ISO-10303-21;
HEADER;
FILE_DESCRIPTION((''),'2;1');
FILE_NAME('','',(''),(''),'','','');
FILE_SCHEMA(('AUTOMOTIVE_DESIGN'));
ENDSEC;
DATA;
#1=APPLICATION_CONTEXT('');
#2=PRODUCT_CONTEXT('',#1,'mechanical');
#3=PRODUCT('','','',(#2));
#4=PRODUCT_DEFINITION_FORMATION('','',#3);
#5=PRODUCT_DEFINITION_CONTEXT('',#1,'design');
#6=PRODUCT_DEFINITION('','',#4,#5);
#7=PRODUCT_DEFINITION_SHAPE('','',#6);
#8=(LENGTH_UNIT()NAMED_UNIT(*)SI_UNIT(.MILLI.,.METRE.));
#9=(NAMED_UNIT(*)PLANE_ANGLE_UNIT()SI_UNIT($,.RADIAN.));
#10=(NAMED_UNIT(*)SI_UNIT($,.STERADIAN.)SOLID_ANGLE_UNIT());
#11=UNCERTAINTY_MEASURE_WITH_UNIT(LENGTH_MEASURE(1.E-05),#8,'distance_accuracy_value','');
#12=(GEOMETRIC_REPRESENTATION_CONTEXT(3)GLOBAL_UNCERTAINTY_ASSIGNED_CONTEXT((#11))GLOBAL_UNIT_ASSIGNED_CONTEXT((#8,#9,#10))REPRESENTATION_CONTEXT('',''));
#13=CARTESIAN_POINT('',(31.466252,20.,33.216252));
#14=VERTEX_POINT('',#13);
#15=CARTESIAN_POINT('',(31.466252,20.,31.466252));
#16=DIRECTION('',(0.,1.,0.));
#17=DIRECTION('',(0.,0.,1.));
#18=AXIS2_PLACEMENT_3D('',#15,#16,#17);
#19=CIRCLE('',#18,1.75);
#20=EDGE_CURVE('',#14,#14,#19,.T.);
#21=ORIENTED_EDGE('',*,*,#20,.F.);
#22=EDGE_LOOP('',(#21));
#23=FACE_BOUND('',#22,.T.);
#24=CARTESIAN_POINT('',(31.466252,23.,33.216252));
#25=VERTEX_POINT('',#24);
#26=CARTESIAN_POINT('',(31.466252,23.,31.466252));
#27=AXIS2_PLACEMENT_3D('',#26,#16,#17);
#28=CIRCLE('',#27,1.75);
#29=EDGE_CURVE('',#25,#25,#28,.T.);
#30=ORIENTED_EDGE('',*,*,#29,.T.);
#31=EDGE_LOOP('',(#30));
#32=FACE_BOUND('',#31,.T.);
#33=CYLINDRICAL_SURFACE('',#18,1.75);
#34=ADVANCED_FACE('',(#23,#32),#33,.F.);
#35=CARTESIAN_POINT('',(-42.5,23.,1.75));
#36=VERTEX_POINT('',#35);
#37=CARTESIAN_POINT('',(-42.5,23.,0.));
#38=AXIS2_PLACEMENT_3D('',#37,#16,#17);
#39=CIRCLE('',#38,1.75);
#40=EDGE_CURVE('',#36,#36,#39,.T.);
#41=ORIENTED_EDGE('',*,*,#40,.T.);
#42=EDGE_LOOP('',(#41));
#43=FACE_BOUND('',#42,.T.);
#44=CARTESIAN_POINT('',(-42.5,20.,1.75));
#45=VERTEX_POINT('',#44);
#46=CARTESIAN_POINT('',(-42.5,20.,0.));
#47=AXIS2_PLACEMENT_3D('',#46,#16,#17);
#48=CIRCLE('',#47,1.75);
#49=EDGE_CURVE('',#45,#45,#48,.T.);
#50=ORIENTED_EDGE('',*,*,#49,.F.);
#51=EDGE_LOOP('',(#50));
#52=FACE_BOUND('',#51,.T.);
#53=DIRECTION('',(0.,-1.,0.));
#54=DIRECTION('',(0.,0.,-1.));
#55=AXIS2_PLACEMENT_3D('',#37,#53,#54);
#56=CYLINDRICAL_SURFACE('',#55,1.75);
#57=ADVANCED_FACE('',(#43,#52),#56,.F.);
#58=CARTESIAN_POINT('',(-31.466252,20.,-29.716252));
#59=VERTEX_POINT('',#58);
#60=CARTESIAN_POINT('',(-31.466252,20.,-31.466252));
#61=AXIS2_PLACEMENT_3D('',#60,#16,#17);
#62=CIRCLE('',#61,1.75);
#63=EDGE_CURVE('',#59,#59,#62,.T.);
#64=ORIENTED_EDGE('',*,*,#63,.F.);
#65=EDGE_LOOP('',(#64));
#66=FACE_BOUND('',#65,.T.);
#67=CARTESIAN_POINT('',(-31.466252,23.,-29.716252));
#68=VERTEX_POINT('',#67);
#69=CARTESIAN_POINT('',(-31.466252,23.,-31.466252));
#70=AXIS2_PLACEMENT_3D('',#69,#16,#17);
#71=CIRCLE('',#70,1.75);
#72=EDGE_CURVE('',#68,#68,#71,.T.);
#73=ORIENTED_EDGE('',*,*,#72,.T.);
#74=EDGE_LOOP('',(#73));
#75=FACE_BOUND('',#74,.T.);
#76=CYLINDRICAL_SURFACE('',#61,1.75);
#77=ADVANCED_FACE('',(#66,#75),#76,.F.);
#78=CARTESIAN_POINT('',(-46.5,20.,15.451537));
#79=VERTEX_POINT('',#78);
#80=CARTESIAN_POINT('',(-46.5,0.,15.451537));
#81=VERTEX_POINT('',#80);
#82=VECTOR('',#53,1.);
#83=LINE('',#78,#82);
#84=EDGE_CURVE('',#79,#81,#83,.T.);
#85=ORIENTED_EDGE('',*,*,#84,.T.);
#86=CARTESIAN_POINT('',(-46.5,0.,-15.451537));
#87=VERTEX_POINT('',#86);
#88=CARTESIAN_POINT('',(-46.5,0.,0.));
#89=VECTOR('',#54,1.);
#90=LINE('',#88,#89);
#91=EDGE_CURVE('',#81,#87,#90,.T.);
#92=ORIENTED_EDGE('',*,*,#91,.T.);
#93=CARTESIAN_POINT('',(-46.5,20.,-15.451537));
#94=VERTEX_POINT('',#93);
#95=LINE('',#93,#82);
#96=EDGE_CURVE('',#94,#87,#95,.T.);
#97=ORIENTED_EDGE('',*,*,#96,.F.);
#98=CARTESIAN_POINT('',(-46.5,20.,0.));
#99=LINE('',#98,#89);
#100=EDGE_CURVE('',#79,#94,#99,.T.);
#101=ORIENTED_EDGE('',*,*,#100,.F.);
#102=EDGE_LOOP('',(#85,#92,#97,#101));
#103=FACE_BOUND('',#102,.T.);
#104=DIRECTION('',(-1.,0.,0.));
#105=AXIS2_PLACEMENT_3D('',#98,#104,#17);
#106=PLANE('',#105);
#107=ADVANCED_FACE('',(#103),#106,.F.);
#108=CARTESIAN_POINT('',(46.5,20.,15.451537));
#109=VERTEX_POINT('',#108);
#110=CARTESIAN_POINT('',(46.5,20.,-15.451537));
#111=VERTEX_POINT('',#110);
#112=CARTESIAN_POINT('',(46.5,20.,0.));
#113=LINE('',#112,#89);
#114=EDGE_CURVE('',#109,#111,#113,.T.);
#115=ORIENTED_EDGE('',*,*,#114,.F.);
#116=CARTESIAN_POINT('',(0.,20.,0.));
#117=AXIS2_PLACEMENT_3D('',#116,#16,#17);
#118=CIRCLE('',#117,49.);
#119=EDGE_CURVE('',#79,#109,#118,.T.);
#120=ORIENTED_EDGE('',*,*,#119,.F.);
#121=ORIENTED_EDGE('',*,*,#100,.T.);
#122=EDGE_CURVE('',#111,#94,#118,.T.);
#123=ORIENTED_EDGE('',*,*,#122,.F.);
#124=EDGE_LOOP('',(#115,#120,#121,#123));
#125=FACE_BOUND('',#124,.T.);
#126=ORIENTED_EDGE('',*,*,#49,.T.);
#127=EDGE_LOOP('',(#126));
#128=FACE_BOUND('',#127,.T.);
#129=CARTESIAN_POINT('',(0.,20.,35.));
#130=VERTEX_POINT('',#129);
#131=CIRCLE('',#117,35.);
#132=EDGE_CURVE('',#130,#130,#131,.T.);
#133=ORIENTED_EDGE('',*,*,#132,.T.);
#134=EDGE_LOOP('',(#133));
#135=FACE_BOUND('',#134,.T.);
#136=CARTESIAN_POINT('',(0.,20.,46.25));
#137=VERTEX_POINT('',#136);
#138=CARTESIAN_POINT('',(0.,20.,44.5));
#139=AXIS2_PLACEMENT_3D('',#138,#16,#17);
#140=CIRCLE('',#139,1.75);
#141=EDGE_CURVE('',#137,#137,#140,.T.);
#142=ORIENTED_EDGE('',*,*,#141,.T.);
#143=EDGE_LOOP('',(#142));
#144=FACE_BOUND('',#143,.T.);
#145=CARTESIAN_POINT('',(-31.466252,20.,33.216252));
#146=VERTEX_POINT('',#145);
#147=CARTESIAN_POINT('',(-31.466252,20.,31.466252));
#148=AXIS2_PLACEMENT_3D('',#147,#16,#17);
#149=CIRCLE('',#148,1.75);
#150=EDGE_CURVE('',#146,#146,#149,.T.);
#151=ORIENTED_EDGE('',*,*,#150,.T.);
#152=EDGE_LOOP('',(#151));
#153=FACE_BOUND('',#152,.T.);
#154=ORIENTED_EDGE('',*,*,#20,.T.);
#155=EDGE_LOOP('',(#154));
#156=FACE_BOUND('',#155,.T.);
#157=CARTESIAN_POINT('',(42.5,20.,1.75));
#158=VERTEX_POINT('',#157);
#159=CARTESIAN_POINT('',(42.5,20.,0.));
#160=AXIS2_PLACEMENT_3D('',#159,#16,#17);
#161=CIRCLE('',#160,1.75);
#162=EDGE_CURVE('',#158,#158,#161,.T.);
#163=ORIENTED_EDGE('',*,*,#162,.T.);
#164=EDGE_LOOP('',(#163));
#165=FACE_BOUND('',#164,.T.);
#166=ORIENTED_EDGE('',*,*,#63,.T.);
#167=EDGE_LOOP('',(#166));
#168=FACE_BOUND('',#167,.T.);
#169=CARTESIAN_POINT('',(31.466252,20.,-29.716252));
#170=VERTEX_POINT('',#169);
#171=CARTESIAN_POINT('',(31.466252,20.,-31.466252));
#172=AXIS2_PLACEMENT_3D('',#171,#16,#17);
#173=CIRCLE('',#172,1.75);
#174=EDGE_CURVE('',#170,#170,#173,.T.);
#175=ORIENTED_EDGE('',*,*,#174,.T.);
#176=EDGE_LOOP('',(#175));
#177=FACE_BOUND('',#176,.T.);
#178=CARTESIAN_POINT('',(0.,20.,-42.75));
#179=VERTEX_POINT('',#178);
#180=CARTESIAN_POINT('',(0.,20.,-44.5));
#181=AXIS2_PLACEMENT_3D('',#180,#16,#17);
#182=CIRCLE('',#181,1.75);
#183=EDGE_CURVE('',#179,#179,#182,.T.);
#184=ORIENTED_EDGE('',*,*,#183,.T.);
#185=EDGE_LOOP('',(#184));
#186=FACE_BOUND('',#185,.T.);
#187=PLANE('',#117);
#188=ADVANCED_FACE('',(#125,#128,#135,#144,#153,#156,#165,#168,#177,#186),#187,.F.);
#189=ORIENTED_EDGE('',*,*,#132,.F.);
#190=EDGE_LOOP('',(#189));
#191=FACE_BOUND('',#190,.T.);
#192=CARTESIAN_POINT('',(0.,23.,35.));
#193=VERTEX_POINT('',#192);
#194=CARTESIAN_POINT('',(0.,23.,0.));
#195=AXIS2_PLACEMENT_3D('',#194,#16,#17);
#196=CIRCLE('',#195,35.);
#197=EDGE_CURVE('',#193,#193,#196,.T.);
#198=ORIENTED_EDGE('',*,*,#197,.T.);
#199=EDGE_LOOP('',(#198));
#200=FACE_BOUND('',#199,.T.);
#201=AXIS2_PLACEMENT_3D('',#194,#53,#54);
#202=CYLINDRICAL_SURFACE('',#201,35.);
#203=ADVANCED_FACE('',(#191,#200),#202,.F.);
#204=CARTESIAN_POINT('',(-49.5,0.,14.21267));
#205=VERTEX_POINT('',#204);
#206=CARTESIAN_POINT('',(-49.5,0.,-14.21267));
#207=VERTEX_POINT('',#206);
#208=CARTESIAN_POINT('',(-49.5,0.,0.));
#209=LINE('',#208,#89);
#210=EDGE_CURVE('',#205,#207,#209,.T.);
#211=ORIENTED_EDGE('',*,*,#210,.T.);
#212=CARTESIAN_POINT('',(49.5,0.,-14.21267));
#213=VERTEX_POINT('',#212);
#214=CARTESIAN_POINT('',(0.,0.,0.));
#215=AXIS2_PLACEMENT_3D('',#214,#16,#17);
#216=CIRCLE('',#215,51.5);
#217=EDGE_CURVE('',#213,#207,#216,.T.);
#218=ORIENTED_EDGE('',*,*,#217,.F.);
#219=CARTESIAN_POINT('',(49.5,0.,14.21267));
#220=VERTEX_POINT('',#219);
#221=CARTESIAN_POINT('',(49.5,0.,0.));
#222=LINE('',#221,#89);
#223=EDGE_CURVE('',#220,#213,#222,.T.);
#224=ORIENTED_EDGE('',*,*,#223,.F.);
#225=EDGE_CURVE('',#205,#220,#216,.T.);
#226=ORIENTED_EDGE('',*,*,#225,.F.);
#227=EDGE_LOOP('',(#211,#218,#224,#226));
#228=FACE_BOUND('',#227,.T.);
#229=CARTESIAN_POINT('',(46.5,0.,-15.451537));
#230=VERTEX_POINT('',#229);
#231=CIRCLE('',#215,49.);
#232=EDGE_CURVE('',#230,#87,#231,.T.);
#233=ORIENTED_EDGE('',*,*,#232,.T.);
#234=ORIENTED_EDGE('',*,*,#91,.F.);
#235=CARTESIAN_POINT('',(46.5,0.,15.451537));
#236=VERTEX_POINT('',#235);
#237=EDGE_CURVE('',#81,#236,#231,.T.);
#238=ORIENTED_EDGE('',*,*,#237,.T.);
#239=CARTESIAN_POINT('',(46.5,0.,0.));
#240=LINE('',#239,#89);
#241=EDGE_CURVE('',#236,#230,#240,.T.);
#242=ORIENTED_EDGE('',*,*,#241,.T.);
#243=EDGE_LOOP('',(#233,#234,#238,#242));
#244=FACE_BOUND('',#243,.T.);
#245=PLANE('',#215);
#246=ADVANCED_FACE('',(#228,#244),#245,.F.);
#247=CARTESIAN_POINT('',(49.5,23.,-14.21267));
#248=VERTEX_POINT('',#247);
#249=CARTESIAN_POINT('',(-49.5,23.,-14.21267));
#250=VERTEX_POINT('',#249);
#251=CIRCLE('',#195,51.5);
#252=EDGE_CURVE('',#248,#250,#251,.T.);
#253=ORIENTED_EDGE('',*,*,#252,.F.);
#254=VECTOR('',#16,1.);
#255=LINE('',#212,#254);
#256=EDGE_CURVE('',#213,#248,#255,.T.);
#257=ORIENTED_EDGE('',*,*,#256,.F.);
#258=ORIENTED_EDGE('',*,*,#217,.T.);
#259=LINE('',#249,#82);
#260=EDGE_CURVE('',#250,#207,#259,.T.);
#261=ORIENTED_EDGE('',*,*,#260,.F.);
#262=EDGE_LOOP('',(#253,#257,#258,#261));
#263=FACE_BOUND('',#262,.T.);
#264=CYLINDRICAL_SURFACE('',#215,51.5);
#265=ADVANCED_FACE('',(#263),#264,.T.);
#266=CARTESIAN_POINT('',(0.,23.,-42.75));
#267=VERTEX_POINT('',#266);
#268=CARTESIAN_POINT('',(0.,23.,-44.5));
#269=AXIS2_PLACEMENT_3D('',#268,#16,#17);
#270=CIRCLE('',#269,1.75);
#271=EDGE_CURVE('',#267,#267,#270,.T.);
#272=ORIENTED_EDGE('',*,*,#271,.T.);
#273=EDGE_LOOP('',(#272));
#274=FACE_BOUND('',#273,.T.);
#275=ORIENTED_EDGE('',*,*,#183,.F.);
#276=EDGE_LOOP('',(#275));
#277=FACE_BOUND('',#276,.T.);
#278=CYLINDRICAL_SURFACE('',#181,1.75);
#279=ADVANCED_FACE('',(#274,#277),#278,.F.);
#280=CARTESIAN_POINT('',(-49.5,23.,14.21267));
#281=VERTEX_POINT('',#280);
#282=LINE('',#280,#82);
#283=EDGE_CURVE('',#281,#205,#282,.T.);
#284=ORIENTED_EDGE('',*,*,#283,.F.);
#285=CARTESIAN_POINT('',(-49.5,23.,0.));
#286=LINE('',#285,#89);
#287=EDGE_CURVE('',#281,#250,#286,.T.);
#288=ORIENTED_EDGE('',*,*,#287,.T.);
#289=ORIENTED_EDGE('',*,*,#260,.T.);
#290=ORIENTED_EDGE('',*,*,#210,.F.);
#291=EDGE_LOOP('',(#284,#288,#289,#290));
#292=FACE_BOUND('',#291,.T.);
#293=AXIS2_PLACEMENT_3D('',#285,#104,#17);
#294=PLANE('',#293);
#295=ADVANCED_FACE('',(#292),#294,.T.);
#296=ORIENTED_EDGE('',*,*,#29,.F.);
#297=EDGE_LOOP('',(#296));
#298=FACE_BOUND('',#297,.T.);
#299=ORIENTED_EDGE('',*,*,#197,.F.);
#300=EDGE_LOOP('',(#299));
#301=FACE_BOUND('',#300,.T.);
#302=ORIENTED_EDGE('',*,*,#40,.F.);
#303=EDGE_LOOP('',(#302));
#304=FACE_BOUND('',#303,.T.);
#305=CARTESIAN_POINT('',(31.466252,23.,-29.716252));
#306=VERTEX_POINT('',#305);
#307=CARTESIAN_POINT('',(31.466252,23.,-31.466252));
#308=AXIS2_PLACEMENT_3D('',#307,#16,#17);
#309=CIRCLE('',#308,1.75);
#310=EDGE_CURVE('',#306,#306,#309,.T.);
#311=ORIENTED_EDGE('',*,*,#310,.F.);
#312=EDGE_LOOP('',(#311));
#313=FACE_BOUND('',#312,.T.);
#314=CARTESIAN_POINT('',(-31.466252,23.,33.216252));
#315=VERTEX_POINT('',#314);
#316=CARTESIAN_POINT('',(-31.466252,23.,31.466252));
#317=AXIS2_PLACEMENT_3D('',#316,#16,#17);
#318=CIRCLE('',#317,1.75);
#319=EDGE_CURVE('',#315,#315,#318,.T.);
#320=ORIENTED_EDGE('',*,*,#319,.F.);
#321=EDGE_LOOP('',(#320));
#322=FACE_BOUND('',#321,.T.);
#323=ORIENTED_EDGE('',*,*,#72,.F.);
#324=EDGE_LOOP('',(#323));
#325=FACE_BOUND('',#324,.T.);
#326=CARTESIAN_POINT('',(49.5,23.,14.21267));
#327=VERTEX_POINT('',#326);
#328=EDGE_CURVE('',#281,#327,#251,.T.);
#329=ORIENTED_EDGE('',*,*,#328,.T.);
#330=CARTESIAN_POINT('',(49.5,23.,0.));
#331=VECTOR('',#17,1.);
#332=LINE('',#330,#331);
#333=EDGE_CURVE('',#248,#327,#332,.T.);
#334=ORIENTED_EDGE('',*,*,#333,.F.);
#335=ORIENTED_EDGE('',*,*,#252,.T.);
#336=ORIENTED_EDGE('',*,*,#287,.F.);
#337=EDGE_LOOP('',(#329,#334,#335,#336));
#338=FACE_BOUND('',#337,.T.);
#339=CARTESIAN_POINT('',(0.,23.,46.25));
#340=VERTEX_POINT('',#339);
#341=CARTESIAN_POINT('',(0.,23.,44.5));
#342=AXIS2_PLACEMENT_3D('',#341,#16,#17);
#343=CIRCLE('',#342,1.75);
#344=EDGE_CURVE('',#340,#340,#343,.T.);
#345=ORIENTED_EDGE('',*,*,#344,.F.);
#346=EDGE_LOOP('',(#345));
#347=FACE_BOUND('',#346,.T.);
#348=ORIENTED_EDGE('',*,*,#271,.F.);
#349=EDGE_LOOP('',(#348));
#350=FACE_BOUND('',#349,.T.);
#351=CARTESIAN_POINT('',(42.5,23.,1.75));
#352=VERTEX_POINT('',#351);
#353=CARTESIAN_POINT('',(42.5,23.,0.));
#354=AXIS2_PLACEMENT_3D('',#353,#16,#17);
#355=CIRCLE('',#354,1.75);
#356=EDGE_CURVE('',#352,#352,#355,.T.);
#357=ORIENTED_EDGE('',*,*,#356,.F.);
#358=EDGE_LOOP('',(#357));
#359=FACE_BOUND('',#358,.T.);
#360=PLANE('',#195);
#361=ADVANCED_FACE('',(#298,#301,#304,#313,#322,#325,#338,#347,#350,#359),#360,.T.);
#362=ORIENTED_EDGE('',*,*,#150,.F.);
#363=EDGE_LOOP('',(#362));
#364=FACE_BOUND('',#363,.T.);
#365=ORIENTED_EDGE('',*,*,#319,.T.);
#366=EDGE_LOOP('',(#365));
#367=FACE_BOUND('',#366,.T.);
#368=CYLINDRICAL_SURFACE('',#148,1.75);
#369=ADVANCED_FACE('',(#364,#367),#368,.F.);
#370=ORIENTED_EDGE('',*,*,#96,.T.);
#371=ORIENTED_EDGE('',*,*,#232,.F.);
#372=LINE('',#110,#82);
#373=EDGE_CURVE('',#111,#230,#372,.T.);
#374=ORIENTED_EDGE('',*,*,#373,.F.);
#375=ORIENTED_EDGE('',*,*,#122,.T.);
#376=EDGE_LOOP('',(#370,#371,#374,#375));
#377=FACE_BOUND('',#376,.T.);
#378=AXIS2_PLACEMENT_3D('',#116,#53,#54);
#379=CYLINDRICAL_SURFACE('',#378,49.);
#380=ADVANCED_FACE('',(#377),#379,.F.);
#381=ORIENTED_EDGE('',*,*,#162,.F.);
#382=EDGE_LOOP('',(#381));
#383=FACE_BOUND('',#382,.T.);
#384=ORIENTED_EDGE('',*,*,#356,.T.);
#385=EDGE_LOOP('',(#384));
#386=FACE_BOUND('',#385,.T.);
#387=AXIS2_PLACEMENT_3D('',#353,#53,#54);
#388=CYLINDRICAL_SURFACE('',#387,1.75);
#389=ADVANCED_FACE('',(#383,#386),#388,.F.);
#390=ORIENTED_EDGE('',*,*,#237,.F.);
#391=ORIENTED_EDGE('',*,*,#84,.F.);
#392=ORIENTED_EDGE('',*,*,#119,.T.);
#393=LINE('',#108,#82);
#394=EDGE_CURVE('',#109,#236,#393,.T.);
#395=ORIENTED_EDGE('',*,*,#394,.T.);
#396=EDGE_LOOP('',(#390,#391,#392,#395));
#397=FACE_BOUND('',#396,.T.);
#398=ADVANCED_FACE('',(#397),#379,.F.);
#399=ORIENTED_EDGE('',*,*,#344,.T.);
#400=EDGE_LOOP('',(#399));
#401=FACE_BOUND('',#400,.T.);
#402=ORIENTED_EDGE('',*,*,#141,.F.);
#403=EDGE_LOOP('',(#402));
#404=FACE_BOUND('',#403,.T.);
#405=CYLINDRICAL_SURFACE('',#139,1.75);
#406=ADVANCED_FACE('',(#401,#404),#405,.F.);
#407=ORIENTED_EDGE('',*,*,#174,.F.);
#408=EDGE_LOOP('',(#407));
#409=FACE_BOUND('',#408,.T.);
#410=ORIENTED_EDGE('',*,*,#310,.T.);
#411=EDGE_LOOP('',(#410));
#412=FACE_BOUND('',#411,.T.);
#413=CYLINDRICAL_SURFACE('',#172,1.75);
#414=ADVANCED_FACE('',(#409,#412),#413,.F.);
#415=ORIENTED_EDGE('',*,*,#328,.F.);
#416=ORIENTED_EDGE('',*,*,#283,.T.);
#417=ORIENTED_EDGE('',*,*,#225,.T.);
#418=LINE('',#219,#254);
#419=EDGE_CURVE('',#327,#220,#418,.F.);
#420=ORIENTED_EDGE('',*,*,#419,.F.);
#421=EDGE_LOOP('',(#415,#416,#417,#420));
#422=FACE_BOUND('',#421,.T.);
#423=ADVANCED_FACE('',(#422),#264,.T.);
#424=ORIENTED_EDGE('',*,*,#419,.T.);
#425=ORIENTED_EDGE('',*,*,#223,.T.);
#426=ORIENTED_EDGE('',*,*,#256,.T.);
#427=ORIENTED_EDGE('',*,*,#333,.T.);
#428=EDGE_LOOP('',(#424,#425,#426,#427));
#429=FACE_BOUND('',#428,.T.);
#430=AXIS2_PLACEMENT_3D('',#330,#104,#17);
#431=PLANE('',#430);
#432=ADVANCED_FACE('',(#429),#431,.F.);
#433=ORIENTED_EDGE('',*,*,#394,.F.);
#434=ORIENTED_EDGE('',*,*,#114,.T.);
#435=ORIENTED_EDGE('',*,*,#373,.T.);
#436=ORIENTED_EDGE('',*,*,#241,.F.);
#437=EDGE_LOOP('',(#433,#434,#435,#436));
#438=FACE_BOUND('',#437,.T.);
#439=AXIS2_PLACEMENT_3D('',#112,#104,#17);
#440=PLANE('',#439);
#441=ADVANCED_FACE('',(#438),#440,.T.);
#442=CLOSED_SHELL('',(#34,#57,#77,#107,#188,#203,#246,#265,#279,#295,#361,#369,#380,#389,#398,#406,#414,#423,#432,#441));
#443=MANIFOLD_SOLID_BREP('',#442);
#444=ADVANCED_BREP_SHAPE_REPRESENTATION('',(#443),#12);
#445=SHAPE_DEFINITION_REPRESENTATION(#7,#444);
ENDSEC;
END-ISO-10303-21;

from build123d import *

# Parameters (mm, degrees)
SKETCH_1_R          = 52
EXTRUDE_1_DEPTH     = 20
CUT_EXTRUDE_START   = -20
SKETCH_2_R          = 52
SKETCH_2_R_2        = 51.5
CUT_EXTRUDE_1_DEPTH = 20
SKETCH_3_R          = 51.5
SKETCH_3_R_2        = 1.75
SKETCH_3_R_3        = 35
EXTRUDE_2_DEPTH     = 3
SKETCH_4_W          = 6.656096692
SKETCH_4_H          = 30.90307428
SKETCH_4_W_2        = 11.077487824
CUT_EXTRUDE_2_DEPTH = 77.377352664
EXTRUDE_START       = -3
SKETCH_6_R          = 1.75
SKETCH_6_R_2        = 1.891027651
EXTRUDE_3_DEPTH     = 3
SKETCH_7_R          = 1.75
CUT_EXTRUDE_3_DEPTH = 3


with BuildPart() as part:
    # 草图1 → 凸台-拉伸1 (new body)
    with BuildSketch(Plane(origin=(0, 0, 0), x_dir=(1, 0, 0), z_dir=(0, 1, 0))):
        with Locations(Location((0, 0, 0), (0, 0, 270))):
            Circle(SKETCH_1_R)
        with BuildLine():
            Line((-46.5, -15.45153714), (-46.5, 15.45153714))
            ThreePointArc((-46.5, 15.45153714), (0, 49), (46.5, 15.45153714))
            Line((46.5, 15.45153714), (46.5, -15.45153714))
            ThreePointArc((46.5, -15.45153714), (0, -49), (-46.5, -15.45153714))
        make_face(mode=Mode.SUBTRACT)
    extrude(amount=EXTRUDE_1_DEPTH)

    # 草图2 → 切除-拉伸1 (cut)
    with BuildSketch(Plane(origin=(0, 20, 0), x_dir=(1, 0, 0), z_dir=(0, 1, 0)).offset(CUT_EXTRUDE_START)):
        Circle(SKETCH_2_R)
        with Locations(Location((0, 0, 0), (0, 0, 270))):
            Circle(SKETCH_2_R_2, mode=Mode.SUBTRACT)
    extrude(amount=CUT_EXTRUDE_1_DEPTH, mode=Mode.SUBTRACT)

    # 草图3 → 凸台-拉伸2 (add)
    with BuildSketch(Plane(origin=(0, 20, 0), x_dir=(1, 0, 0), z_dir=(0, 1, 0))):
        with Locations(Location((0, 0, 0), (0, 0, 270))):
            Circle(SKETCH_3_R)
        with Locations(Location((0, 42.5, 0), (0, 0, 270))):
            Circle(SKETCH_3_R_2, mode=Mode.SUBTRACT)
        with Locations(Location((30.0520382, 30.0520382, 0), (0, 0, 270))):
            Circle(SKETCH_3_R_2, mode=Mode.SUBTRACT)
        with Locations(Location((42.5, 0, 0), (0, 0, 270))):
            Circle(SKETCH_3_R_2, mode=Mode.SUBTRACT)
        with Locations(Location((30.0520382, -30.0520382, 0), (0, 0, 270))):
            Circle(SKETCH_3_R_2, mode=Mode.SUBTRACT)
        with Locations(Location((0, -42.5, 0), (0, 0, 270))):
            Circle(SKETCH_3_R_2, mode=Mode.SUBTRACT)
        with Locations(Location((-30.0520382, -30.0520382, 0), (0, 0, 270))):
            Circle(SKETCH_3_R_2, mode=Mode.SUBTRACT)
        with Locations(Location((-42.5, 0, 0), (0, 0, 270))):
            Circle(SKETCH_3_R_2, mode=Mode.SUBTRACT)
        with Locations(Location((-30.0520382, 30.0520382, 0), (0, 0, 270))):
            Circle(SKETCH_3_R_2, mode=Mode.SUBTRACT)
        with Locations(Location((0, 0, 0), (0, 0, 270))):
            Circle(SKETCH_3_R_3, mode=Mode.SUBTRACT)
    extrude(amount=EXTRUDE_2_DEPTH)

    # 草图4 → 切除-拉伸2 (cut, through all)
    with BuildSketch(Plane.XZ):
        with Locations((-52.828048346, 0)):
            Rectangle(SKETCH_4_W, SKETCH_4_H)
        with Locations((55.038743912, 0)):
            Rectangle(SKETCH_4_W_2, SKETCH_4_H)
    extrude(amount=-CUT_EXTRUDE_2_DEPTH, mode=Mode.SUBTRACT)

    # 草图6 → 凸台-拉伸3 (add)
    with BuildSketch(Plane(origin=(0, 23, 0), x_dir=(1, 0, 0), z_dir=(0, 1, 0)).offset(EXTRUDE_START)):
        with Locations((-30.0520382, 30.0520382)):
            Circle(SKETCH_6_R)
        with Locations((0, 42.5)):
            Circle(SKETCH_6_R)
        with Locations((30.0520382, 30.0520382)):
            Circle(SKETCH_6_R)
        with Locations((30.0520382, -30.0520382)):
            Circle(SKETCH_6_R_2)
        with Locations((0, -42.5)):
            Circle(SKETCH_6_R)
        with Locations((-30.0520382, -30.0520382)):
            Circle(SKETCH_6_R)
    extrude(amount=EXTRUDE_3_DEPTH)

    # 草图7 → 切除-拉伸3 (cut)
    with BuildSketch(Plane(origin=(0, 23, 0), x_dir=(1, 0, 0), z_dir=(0, 1, 0))):
        with Locations(Location((0, 44.5, 0), (0, 0, 270))):
            Circle(SKETCH_7_R)
        with Locations(Location((31.466251763, 31.466251763, 0), (0, 0, 270))):
            Circle(SKETCH_7_R)
        with Locations(Location((31.466251763, -31.466251763, 0), (0, 0, 270))):
            Circle(SKETCH_7_R)
        with Locations(Location((0, -44.5, 0), (0, 0, 270))):
            Circle(SKETCH_7_R)
        with Locations(Location((-31.466251763, -31.466251763, 0), (0, 0, 270))):
            Circle(SKETCH_7_R)
        with Locations(Location((-31.466251763, 31.466251763, 0), (0, 0, 270))):
            Circle(SKETCH_7_R)
    extrude(amount=-CUT_EXTRUDE_3_DEPTH, mode=Mode.SUBTRACT)


solid = part.part
